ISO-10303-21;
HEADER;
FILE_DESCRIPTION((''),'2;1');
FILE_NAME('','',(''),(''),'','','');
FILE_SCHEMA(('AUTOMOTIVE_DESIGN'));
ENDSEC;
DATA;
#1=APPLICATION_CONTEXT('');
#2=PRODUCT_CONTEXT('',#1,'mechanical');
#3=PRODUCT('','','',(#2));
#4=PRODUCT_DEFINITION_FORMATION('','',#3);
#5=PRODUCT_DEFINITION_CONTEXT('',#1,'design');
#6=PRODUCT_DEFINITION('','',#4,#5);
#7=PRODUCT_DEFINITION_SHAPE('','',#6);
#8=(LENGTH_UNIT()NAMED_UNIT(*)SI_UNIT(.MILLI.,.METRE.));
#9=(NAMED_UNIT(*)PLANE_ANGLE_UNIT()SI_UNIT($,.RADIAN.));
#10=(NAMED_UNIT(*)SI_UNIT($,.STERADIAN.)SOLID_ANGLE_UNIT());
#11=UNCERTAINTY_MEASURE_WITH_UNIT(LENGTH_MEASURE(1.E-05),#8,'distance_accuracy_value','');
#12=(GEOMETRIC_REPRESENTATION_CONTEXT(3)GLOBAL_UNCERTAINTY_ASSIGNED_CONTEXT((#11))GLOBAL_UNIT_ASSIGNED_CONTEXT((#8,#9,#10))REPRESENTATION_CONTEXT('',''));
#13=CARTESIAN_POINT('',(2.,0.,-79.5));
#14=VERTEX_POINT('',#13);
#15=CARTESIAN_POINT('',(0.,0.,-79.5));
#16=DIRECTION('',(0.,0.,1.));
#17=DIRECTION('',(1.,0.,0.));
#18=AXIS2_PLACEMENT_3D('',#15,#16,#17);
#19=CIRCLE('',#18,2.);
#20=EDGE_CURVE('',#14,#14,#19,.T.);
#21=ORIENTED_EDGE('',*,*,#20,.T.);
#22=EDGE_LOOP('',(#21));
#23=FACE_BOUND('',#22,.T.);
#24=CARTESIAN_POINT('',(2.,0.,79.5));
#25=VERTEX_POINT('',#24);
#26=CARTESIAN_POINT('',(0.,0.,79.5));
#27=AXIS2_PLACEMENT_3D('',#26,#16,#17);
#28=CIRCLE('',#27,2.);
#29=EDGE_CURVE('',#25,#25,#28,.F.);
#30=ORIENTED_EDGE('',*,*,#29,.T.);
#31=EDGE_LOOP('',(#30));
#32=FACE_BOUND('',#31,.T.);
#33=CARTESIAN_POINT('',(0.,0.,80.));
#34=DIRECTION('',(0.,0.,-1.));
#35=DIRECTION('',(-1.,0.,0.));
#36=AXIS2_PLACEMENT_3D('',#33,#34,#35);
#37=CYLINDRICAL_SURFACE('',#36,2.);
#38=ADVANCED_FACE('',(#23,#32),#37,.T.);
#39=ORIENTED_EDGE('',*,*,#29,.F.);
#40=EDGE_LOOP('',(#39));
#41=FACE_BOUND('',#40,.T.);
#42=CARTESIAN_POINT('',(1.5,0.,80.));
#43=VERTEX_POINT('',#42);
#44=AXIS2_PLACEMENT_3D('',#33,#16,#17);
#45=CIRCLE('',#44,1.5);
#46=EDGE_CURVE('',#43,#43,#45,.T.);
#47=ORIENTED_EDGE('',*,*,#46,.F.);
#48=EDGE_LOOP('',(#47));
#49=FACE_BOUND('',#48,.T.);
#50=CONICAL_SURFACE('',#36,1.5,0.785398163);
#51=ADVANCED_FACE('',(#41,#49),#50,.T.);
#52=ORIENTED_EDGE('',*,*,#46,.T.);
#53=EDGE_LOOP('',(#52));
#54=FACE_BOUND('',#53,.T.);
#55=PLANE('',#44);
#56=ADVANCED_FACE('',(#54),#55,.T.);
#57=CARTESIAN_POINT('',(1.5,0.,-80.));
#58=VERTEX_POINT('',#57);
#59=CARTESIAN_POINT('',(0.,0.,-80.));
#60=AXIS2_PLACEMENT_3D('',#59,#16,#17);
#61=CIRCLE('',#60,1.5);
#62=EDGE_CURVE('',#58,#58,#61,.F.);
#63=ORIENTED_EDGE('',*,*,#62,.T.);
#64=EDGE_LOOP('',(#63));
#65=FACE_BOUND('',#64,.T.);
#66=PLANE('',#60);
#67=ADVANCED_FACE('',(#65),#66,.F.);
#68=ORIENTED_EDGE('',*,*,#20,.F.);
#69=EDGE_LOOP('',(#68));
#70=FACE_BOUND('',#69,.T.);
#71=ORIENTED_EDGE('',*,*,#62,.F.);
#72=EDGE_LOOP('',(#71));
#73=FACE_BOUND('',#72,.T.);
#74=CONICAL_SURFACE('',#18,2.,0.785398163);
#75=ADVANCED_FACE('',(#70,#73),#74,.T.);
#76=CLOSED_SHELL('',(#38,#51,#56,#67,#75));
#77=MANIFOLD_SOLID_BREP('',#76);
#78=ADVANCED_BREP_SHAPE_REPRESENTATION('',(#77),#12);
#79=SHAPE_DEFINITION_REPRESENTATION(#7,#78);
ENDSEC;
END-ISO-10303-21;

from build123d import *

# Parameters (mm, degrees)
SKETCH1_R           = 2
BOSS_EXTRUDE1_DEPTH = 80
CHAMFER1_SIZE       = 0.5


with BuildPart() as part:
    # Sketch1 → Boss-Extrude1 (new body, symmetric)
    with BuildSketch(Plane.XY):
        Circle(SKETCH1_R)
    extrude(amount=BOSS_EXTRUDE1_DEPTH, both=True)

    # Chamfer1
    chamfer1_edges = [part.edges().sort_by_distance(p)[0] for p in [
        (-2, 0, -80),
        (-2, 0, 80),
    ]]
    chamfer(chamfer1_edges, length=CHAMFER1_SIZE)


solid = part.part
